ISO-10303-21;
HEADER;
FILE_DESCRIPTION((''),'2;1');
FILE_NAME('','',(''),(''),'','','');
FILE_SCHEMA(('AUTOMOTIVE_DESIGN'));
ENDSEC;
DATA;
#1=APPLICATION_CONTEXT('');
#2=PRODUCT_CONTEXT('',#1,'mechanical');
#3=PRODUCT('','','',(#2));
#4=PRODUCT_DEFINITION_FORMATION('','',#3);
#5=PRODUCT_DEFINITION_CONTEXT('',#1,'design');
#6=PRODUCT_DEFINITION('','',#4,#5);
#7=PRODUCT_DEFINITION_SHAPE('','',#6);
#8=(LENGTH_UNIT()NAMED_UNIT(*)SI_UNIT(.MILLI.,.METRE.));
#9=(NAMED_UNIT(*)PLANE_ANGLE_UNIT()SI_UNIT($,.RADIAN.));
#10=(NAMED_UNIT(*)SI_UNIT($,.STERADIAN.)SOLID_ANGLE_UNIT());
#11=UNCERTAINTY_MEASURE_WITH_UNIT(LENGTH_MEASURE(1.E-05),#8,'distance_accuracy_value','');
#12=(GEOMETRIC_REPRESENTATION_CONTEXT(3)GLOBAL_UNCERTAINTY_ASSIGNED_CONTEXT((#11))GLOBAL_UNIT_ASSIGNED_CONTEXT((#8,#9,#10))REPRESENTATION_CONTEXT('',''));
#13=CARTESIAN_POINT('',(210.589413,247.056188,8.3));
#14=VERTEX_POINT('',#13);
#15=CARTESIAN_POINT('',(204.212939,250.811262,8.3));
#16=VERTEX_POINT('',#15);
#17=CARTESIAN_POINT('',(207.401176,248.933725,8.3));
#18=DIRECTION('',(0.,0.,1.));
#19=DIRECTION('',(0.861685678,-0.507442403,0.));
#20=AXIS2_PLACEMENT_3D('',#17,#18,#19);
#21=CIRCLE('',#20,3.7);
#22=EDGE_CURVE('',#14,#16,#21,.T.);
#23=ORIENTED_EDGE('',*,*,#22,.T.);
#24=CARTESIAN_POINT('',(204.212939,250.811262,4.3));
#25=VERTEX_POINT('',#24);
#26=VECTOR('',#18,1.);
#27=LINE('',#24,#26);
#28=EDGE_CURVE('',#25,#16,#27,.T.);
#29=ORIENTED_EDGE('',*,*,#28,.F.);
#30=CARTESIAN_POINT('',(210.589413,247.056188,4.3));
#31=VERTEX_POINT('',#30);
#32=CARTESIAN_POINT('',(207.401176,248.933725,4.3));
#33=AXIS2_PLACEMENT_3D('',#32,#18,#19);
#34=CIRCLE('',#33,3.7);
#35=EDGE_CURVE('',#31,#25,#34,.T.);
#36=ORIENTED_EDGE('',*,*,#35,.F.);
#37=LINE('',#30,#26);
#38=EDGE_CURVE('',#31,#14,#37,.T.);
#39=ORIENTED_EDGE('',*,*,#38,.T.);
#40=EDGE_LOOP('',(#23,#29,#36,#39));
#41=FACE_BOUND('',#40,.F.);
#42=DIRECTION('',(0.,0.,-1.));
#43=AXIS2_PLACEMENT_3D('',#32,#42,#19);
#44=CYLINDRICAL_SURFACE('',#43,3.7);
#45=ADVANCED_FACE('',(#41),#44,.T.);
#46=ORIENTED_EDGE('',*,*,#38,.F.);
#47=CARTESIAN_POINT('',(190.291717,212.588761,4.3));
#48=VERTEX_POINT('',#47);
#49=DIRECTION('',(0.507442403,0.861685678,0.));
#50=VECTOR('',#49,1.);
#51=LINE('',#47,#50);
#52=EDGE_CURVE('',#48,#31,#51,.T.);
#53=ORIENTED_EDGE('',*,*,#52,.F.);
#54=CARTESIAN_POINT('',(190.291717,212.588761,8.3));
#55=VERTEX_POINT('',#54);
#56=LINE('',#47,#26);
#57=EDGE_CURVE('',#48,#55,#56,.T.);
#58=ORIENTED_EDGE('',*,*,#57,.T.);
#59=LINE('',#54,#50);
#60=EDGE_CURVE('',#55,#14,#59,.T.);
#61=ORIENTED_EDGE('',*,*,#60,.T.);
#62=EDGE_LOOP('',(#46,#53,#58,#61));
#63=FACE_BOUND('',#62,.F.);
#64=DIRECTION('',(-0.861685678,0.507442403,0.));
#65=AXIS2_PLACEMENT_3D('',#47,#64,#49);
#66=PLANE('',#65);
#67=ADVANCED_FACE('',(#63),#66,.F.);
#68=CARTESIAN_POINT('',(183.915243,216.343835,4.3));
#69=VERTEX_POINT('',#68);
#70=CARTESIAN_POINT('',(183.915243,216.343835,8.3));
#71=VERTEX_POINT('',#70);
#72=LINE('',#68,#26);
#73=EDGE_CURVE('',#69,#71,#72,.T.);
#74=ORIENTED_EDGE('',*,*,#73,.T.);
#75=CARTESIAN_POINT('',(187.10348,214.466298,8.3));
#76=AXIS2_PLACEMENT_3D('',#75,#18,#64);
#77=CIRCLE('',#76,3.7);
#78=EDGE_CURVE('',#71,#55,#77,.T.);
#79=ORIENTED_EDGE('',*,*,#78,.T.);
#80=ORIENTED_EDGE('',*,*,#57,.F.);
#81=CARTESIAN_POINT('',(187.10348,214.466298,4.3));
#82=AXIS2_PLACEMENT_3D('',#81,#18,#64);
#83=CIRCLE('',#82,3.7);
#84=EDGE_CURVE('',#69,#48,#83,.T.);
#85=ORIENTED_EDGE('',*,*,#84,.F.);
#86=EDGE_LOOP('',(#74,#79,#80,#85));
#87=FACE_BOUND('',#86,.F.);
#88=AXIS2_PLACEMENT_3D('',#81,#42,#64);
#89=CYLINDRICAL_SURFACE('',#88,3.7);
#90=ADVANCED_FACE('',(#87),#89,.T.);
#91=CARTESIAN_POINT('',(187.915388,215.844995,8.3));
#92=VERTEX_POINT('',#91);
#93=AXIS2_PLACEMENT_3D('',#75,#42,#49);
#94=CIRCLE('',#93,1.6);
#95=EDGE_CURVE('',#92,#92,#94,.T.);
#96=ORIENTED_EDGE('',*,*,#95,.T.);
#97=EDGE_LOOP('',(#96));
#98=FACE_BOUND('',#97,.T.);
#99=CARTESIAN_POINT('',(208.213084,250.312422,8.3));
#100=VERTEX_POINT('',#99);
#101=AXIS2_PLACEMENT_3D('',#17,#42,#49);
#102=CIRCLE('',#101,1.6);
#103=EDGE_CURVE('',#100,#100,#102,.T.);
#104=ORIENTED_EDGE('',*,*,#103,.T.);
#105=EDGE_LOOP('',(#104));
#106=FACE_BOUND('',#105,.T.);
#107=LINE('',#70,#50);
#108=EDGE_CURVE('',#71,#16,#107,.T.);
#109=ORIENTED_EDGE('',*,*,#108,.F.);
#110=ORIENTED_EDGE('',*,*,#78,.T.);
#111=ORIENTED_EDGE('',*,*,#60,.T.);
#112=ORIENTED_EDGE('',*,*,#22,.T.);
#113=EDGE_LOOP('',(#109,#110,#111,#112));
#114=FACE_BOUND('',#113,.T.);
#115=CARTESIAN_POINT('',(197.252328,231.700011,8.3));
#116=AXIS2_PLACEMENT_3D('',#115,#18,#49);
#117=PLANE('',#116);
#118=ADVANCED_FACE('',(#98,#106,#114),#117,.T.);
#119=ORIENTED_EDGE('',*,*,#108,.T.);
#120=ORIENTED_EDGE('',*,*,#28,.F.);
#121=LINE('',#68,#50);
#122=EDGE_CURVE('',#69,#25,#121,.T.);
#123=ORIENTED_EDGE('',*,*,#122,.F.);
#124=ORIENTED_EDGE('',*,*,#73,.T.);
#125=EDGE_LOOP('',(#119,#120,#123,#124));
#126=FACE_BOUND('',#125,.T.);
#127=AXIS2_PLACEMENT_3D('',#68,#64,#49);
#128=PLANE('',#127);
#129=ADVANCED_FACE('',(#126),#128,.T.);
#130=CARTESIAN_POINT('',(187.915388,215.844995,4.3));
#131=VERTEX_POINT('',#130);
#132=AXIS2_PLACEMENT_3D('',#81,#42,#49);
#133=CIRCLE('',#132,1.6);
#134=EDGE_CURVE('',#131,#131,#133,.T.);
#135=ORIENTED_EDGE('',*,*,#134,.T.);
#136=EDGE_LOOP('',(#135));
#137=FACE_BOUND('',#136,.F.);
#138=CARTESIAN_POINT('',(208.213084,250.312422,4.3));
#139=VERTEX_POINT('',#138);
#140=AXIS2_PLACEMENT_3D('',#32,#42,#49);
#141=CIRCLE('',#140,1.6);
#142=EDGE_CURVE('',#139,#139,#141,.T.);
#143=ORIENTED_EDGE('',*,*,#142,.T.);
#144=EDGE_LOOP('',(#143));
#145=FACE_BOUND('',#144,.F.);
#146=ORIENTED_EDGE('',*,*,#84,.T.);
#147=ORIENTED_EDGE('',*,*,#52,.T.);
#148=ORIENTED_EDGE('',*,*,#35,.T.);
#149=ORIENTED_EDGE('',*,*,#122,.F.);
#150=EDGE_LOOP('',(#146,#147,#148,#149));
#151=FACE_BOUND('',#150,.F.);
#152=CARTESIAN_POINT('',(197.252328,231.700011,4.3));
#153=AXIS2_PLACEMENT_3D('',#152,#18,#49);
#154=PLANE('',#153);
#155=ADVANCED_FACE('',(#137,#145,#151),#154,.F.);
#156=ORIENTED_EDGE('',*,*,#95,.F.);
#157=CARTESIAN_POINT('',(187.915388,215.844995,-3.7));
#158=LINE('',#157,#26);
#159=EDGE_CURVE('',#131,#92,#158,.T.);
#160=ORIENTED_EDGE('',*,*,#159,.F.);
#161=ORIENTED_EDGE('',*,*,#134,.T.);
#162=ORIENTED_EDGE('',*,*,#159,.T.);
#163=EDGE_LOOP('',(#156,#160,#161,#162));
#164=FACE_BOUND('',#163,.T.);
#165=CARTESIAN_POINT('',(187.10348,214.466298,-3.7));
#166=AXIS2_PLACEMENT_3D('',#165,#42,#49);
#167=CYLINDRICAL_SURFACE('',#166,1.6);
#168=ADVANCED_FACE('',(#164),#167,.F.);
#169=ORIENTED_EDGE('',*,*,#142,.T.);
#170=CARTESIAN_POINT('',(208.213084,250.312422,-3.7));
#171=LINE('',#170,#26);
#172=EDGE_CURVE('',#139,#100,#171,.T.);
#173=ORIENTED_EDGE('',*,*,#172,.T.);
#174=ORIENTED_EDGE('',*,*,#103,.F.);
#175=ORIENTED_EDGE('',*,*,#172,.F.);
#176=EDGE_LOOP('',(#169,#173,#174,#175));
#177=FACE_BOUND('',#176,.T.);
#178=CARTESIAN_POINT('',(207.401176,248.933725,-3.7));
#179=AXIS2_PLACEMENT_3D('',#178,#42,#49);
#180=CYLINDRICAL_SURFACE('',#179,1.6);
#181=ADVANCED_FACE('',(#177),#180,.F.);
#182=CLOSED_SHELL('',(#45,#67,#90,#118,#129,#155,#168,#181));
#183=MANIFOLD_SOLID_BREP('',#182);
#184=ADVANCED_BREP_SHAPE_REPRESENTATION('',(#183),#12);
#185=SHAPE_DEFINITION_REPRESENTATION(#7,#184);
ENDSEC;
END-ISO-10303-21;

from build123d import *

# Parameters (mm, degrees)
CYLINDER005_R            = 1.6
CYLINDER005_DEPTH        = 30
PAD002_DEPTH             = 4
CLONE007_PLACEMENT_ANGLE = 59.5063808355


with BuildPart() as finger_drill_master:
    # Cylinder005 → Cylinder005 (new body)
    with BuildSketch(Plane.XY.offset(-8)):
        Circle(CYLINDER005_R)
    extrude(amount=CYLINDER005_DEPTH)


with BuildPart() as clone006:
    # Clone006 base: copy of finger-drill-master
    add(finger_drill_master.part)


with BuildPart() as clone006_1:
    # Clone006 placement: moved
    add(clone006.part.moved(Location((40, 0, 0))))


with BuildPart() as fusion012:
    # Clone005 base: copy of finger-drill-master
    add(finger_drill_master.part)

    # Fusion012: union Clone006
    add(clone006_1.part)


with BuildPart() as left_link:
    # Sketch002 → Pad002 (new body)
    with BuildSketch(Plane.XY):
        with BuildLine():
            ThreePointArc((0, 3.7), (-3.7, 0), (0, -3.7))
            Line((0, -3.7), (40, -3.7))
            ThreePointArc((40, -3.7), (43.7, 0), (40, 3.7))
            Line((0, 3.7), (40, 3.7))
        make_face()
    extrude(amount=PAD002_DEPTH)

    # Cut001: cut Fusion012
    add(fusion012.part, mode=Mode.SUBTRACT)


with BuildPart() as left_link_1:
    # Clone007 placement: moved
    add(left_link.part.moved(Location((187.1034801236, 214.4662976869, 4.3))).rotate(Axis((187.1034801236, 214.4662976869, 4.3), (0, 0, 1)), CLONE007_PLACEMENT_ANGLE))


solid = left_link_1.part
